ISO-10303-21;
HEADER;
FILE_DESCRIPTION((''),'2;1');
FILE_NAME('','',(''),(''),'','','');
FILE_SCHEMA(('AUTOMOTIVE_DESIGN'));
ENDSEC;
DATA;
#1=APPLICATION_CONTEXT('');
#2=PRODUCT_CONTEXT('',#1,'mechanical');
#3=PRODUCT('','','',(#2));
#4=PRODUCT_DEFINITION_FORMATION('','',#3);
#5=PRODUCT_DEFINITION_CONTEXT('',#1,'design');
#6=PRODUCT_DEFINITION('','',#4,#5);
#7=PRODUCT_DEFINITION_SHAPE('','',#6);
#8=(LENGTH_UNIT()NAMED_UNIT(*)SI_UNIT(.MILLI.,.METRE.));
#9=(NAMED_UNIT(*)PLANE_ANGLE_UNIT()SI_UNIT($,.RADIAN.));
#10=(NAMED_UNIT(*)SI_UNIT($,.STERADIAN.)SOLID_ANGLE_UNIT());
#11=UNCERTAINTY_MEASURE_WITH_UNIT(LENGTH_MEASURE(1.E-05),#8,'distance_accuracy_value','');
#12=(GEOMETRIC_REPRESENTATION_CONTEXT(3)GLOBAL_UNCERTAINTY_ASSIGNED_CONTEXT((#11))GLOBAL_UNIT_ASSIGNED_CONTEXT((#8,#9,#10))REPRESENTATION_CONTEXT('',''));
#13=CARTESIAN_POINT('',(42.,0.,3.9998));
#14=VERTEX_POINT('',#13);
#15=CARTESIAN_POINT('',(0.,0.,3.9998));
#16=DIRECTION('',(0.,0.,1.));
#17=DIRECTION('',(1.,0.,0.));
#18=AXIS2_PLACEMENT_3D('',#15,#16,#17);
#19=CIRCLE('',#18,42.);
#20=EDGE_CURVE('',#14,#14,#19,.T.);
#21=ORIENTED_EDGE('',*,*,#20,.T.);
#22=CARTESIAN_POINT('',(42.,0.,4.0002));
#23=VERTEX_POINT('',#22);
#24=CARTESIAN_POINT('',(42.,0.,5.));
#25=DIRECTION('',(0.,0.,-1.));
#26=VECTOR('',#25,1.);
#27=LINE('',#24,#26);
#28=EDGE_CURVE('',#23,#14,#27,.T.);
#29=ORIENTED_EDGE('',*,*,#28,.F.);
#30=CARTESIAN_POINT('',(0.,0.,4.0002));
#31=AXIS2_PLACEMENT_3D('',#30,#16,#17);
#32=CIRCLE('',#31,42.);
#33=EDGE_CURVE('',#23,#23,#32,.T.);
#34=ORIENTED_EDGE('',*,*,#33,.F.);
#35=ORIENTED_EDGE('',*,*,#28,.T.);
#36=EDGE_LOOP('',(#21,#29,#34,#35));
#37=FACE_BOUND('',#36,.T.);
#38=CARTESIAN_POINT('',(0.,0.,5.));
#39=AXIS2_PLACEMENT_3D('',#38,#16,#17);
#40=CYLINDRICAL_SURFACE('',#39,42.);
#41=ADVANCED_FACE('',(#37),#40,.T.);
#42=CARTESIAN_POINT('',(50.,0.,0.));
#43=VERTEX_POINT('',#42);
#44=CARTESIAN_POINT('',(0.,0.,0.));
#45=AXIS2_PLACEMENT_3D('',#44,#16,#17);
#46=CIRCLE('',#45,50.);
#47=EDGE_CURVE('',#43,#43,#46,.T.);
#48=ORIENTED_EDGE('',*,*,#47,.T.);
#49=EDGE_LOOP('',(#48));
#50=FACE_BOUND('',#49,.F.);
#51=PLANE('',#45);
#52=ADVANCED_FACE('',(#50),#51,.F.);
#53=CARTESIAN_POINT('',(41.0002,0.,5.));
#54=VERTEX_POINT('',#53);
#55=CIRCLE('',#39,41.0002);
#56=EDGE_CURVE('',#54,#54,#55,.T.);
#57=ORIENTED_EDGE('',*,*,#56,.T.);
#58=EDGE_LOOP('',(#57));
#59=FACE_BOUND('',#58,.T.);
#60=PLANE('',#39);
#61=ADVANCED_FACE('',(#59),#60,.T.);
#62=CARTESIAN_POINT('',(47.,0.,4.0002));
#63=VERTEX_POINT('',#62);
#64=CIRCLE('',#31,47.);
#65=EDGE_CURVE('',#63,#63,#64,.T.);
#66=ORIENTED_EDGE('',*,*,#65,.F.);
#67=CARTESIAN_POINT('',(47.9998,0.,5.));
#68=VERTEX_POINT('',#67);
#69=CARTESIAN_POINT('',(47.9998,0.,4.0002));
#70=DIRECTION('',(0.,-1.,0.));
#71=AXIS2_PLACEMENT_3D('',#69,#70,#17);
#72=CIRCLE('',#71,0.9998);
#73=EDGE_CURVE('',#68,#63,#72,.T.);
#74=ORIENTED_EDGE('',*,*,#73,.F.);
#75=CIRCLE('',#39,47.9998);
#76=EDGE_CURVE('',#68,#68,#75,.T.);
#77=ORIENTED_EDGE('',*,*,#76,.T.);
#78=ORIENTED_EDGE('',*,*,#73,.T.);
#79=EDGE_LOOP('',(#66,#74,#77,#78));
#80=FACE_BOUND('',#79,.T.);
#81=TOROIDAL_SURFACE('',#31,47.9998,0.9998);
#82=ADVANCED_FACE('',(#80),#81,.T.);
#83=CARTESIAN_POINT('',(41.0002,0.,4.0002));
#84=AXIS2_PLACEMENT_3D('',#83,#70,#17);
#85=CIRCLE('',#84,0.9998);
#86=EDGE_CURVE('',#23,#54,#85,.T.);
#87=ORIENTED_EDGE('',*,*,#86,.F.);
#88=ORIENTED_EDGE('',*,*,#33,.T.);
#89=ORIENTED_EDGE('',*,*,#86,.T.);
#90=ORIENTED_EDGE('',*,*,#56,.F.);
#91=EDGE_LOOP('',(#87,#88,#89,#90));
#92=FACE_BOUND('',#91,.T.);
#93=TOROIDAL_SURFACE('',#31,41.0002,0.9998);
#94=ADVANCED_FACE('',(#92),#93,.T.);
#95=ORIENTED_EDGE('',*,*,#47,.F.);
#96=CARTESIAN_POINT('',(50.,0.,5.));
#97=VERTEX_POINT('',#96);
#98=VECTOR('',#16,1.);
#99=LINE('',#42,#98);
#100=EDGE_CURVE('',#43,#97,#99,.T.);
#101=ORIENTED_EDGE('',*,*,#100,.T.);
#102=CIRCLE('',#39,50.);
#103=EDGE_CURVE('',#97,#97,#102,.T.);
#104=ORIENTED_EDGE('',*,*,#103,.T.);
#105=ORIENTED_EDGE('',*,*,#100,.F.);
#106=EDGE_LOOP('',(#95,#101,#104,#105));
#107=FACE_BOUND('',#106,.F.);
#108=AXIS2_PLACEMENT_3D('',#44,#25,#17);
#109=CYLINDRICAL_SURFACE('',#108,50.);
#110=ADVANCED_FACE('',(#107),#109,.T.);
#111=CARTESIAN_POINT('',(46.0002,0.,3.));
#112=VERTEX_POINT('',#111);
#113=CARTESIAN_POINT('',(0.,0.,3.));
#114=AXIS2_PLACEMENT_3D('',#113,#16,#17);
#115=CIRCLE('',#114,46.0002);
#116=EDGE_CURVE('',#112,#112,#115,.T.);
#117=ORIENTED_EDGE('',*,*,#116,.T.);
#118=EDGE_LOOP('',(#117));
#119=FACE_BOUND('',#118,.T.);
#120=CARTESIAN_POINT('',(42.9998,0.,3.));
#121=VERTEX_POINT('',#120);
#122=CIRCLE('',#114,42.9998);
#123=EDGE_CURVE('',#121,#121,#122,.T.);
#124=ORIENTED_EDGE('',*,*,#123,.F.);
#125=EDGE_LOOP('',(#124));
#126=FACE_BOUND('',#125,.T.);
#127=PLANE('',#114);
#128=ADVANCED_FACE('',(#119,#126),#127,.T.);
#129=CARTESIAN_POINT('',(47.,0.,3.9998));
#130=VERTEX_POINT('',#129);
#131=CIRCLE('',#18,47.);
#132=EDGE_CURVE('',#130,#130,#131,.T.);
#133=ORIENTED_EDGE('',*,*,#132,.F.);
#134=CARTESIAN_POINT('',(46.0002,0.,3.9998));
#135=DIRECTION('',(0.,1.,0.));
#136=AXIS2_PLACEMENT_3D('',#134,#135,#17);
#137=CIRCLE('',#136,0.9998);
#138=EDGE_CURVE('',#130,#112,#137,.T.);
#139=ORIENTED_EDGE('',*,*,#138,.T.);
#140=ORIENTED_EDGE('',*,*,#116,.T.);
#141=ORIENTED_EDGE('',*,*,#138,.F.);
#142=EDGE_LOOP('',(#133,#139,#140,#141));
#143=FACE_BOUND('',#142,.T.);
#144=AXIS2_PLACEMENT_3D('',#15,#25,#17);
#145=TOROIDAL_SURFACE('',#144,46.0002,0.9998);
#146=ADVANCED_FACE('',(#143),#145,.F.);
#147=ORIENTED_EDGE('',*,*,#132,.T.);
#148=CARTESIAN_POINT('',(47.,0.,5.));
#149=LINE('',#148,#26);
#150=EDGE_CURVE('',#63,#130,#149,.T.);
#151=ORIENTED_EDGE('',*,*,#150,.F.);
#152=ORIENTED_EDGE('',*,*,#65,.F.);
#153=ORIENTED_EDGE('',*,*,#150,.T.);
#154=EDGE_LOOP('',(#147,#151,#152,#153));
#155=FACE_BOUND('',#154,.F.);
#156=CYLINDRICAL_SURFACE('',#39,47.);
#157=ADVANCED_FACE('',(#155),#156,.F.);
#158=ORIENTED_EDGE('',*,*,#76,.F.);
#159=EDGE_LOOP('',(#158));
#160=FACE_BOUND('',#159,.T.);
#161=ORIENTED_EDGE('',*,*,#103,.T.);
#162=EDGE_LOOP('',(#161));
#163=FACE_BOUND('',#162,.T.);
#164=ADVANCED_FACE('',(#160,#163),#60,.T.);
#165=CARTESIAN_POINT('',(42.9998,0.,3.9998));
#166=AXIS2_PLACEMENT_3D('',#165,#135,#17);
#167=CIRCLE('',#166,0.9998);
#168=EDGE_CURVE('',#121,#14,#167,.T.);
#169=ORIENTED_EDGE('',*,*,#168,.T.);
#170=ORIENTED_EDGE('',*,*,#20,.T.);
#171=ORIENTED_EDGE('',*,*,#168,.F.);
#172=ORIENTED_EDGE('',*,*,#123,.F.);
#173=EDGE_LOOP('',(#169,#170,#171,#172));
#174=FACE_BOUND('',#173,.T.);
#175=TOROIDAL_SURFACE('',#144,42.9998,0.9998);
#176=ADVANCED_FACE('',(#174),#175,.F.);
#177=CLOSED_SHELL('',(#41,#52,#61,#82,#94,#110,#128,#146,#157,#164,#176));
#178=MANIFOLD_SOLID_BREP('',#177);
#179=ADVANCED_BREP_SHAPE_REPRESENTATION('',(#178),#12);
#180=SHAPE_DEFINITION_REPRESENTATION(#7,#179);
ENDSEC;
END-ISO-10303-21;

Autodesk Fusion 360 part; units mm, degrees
sketch "Sketch1" plane through (0, 0, 0) normal (0, 0, 1) x (1, 0, 0)
  circle A0 centre (0, 0) radius 50
  circle A1 centre (0, 0) radius 47
  circle A2 centre (0, 0) radius 42
  dimension "d1" = 100
  dimension "d2" = -3
  dimension "d3" = -5
extrude "Extrude1" add sketch "Sketch1" along normal blind 5 contours A0 | A1 | A2
extrude "Extrude2" cut sketch "Sketch1" against normal blind 2 from surface at 5 contours A1
fillet "Fillet1" radius 1 4 edges at (-43.8194, 16.9959, 5) (-39.1577, -15.1878, 5) (-39.1577, -15.1878, 3) (-43.8194, 16.9959, 3)
